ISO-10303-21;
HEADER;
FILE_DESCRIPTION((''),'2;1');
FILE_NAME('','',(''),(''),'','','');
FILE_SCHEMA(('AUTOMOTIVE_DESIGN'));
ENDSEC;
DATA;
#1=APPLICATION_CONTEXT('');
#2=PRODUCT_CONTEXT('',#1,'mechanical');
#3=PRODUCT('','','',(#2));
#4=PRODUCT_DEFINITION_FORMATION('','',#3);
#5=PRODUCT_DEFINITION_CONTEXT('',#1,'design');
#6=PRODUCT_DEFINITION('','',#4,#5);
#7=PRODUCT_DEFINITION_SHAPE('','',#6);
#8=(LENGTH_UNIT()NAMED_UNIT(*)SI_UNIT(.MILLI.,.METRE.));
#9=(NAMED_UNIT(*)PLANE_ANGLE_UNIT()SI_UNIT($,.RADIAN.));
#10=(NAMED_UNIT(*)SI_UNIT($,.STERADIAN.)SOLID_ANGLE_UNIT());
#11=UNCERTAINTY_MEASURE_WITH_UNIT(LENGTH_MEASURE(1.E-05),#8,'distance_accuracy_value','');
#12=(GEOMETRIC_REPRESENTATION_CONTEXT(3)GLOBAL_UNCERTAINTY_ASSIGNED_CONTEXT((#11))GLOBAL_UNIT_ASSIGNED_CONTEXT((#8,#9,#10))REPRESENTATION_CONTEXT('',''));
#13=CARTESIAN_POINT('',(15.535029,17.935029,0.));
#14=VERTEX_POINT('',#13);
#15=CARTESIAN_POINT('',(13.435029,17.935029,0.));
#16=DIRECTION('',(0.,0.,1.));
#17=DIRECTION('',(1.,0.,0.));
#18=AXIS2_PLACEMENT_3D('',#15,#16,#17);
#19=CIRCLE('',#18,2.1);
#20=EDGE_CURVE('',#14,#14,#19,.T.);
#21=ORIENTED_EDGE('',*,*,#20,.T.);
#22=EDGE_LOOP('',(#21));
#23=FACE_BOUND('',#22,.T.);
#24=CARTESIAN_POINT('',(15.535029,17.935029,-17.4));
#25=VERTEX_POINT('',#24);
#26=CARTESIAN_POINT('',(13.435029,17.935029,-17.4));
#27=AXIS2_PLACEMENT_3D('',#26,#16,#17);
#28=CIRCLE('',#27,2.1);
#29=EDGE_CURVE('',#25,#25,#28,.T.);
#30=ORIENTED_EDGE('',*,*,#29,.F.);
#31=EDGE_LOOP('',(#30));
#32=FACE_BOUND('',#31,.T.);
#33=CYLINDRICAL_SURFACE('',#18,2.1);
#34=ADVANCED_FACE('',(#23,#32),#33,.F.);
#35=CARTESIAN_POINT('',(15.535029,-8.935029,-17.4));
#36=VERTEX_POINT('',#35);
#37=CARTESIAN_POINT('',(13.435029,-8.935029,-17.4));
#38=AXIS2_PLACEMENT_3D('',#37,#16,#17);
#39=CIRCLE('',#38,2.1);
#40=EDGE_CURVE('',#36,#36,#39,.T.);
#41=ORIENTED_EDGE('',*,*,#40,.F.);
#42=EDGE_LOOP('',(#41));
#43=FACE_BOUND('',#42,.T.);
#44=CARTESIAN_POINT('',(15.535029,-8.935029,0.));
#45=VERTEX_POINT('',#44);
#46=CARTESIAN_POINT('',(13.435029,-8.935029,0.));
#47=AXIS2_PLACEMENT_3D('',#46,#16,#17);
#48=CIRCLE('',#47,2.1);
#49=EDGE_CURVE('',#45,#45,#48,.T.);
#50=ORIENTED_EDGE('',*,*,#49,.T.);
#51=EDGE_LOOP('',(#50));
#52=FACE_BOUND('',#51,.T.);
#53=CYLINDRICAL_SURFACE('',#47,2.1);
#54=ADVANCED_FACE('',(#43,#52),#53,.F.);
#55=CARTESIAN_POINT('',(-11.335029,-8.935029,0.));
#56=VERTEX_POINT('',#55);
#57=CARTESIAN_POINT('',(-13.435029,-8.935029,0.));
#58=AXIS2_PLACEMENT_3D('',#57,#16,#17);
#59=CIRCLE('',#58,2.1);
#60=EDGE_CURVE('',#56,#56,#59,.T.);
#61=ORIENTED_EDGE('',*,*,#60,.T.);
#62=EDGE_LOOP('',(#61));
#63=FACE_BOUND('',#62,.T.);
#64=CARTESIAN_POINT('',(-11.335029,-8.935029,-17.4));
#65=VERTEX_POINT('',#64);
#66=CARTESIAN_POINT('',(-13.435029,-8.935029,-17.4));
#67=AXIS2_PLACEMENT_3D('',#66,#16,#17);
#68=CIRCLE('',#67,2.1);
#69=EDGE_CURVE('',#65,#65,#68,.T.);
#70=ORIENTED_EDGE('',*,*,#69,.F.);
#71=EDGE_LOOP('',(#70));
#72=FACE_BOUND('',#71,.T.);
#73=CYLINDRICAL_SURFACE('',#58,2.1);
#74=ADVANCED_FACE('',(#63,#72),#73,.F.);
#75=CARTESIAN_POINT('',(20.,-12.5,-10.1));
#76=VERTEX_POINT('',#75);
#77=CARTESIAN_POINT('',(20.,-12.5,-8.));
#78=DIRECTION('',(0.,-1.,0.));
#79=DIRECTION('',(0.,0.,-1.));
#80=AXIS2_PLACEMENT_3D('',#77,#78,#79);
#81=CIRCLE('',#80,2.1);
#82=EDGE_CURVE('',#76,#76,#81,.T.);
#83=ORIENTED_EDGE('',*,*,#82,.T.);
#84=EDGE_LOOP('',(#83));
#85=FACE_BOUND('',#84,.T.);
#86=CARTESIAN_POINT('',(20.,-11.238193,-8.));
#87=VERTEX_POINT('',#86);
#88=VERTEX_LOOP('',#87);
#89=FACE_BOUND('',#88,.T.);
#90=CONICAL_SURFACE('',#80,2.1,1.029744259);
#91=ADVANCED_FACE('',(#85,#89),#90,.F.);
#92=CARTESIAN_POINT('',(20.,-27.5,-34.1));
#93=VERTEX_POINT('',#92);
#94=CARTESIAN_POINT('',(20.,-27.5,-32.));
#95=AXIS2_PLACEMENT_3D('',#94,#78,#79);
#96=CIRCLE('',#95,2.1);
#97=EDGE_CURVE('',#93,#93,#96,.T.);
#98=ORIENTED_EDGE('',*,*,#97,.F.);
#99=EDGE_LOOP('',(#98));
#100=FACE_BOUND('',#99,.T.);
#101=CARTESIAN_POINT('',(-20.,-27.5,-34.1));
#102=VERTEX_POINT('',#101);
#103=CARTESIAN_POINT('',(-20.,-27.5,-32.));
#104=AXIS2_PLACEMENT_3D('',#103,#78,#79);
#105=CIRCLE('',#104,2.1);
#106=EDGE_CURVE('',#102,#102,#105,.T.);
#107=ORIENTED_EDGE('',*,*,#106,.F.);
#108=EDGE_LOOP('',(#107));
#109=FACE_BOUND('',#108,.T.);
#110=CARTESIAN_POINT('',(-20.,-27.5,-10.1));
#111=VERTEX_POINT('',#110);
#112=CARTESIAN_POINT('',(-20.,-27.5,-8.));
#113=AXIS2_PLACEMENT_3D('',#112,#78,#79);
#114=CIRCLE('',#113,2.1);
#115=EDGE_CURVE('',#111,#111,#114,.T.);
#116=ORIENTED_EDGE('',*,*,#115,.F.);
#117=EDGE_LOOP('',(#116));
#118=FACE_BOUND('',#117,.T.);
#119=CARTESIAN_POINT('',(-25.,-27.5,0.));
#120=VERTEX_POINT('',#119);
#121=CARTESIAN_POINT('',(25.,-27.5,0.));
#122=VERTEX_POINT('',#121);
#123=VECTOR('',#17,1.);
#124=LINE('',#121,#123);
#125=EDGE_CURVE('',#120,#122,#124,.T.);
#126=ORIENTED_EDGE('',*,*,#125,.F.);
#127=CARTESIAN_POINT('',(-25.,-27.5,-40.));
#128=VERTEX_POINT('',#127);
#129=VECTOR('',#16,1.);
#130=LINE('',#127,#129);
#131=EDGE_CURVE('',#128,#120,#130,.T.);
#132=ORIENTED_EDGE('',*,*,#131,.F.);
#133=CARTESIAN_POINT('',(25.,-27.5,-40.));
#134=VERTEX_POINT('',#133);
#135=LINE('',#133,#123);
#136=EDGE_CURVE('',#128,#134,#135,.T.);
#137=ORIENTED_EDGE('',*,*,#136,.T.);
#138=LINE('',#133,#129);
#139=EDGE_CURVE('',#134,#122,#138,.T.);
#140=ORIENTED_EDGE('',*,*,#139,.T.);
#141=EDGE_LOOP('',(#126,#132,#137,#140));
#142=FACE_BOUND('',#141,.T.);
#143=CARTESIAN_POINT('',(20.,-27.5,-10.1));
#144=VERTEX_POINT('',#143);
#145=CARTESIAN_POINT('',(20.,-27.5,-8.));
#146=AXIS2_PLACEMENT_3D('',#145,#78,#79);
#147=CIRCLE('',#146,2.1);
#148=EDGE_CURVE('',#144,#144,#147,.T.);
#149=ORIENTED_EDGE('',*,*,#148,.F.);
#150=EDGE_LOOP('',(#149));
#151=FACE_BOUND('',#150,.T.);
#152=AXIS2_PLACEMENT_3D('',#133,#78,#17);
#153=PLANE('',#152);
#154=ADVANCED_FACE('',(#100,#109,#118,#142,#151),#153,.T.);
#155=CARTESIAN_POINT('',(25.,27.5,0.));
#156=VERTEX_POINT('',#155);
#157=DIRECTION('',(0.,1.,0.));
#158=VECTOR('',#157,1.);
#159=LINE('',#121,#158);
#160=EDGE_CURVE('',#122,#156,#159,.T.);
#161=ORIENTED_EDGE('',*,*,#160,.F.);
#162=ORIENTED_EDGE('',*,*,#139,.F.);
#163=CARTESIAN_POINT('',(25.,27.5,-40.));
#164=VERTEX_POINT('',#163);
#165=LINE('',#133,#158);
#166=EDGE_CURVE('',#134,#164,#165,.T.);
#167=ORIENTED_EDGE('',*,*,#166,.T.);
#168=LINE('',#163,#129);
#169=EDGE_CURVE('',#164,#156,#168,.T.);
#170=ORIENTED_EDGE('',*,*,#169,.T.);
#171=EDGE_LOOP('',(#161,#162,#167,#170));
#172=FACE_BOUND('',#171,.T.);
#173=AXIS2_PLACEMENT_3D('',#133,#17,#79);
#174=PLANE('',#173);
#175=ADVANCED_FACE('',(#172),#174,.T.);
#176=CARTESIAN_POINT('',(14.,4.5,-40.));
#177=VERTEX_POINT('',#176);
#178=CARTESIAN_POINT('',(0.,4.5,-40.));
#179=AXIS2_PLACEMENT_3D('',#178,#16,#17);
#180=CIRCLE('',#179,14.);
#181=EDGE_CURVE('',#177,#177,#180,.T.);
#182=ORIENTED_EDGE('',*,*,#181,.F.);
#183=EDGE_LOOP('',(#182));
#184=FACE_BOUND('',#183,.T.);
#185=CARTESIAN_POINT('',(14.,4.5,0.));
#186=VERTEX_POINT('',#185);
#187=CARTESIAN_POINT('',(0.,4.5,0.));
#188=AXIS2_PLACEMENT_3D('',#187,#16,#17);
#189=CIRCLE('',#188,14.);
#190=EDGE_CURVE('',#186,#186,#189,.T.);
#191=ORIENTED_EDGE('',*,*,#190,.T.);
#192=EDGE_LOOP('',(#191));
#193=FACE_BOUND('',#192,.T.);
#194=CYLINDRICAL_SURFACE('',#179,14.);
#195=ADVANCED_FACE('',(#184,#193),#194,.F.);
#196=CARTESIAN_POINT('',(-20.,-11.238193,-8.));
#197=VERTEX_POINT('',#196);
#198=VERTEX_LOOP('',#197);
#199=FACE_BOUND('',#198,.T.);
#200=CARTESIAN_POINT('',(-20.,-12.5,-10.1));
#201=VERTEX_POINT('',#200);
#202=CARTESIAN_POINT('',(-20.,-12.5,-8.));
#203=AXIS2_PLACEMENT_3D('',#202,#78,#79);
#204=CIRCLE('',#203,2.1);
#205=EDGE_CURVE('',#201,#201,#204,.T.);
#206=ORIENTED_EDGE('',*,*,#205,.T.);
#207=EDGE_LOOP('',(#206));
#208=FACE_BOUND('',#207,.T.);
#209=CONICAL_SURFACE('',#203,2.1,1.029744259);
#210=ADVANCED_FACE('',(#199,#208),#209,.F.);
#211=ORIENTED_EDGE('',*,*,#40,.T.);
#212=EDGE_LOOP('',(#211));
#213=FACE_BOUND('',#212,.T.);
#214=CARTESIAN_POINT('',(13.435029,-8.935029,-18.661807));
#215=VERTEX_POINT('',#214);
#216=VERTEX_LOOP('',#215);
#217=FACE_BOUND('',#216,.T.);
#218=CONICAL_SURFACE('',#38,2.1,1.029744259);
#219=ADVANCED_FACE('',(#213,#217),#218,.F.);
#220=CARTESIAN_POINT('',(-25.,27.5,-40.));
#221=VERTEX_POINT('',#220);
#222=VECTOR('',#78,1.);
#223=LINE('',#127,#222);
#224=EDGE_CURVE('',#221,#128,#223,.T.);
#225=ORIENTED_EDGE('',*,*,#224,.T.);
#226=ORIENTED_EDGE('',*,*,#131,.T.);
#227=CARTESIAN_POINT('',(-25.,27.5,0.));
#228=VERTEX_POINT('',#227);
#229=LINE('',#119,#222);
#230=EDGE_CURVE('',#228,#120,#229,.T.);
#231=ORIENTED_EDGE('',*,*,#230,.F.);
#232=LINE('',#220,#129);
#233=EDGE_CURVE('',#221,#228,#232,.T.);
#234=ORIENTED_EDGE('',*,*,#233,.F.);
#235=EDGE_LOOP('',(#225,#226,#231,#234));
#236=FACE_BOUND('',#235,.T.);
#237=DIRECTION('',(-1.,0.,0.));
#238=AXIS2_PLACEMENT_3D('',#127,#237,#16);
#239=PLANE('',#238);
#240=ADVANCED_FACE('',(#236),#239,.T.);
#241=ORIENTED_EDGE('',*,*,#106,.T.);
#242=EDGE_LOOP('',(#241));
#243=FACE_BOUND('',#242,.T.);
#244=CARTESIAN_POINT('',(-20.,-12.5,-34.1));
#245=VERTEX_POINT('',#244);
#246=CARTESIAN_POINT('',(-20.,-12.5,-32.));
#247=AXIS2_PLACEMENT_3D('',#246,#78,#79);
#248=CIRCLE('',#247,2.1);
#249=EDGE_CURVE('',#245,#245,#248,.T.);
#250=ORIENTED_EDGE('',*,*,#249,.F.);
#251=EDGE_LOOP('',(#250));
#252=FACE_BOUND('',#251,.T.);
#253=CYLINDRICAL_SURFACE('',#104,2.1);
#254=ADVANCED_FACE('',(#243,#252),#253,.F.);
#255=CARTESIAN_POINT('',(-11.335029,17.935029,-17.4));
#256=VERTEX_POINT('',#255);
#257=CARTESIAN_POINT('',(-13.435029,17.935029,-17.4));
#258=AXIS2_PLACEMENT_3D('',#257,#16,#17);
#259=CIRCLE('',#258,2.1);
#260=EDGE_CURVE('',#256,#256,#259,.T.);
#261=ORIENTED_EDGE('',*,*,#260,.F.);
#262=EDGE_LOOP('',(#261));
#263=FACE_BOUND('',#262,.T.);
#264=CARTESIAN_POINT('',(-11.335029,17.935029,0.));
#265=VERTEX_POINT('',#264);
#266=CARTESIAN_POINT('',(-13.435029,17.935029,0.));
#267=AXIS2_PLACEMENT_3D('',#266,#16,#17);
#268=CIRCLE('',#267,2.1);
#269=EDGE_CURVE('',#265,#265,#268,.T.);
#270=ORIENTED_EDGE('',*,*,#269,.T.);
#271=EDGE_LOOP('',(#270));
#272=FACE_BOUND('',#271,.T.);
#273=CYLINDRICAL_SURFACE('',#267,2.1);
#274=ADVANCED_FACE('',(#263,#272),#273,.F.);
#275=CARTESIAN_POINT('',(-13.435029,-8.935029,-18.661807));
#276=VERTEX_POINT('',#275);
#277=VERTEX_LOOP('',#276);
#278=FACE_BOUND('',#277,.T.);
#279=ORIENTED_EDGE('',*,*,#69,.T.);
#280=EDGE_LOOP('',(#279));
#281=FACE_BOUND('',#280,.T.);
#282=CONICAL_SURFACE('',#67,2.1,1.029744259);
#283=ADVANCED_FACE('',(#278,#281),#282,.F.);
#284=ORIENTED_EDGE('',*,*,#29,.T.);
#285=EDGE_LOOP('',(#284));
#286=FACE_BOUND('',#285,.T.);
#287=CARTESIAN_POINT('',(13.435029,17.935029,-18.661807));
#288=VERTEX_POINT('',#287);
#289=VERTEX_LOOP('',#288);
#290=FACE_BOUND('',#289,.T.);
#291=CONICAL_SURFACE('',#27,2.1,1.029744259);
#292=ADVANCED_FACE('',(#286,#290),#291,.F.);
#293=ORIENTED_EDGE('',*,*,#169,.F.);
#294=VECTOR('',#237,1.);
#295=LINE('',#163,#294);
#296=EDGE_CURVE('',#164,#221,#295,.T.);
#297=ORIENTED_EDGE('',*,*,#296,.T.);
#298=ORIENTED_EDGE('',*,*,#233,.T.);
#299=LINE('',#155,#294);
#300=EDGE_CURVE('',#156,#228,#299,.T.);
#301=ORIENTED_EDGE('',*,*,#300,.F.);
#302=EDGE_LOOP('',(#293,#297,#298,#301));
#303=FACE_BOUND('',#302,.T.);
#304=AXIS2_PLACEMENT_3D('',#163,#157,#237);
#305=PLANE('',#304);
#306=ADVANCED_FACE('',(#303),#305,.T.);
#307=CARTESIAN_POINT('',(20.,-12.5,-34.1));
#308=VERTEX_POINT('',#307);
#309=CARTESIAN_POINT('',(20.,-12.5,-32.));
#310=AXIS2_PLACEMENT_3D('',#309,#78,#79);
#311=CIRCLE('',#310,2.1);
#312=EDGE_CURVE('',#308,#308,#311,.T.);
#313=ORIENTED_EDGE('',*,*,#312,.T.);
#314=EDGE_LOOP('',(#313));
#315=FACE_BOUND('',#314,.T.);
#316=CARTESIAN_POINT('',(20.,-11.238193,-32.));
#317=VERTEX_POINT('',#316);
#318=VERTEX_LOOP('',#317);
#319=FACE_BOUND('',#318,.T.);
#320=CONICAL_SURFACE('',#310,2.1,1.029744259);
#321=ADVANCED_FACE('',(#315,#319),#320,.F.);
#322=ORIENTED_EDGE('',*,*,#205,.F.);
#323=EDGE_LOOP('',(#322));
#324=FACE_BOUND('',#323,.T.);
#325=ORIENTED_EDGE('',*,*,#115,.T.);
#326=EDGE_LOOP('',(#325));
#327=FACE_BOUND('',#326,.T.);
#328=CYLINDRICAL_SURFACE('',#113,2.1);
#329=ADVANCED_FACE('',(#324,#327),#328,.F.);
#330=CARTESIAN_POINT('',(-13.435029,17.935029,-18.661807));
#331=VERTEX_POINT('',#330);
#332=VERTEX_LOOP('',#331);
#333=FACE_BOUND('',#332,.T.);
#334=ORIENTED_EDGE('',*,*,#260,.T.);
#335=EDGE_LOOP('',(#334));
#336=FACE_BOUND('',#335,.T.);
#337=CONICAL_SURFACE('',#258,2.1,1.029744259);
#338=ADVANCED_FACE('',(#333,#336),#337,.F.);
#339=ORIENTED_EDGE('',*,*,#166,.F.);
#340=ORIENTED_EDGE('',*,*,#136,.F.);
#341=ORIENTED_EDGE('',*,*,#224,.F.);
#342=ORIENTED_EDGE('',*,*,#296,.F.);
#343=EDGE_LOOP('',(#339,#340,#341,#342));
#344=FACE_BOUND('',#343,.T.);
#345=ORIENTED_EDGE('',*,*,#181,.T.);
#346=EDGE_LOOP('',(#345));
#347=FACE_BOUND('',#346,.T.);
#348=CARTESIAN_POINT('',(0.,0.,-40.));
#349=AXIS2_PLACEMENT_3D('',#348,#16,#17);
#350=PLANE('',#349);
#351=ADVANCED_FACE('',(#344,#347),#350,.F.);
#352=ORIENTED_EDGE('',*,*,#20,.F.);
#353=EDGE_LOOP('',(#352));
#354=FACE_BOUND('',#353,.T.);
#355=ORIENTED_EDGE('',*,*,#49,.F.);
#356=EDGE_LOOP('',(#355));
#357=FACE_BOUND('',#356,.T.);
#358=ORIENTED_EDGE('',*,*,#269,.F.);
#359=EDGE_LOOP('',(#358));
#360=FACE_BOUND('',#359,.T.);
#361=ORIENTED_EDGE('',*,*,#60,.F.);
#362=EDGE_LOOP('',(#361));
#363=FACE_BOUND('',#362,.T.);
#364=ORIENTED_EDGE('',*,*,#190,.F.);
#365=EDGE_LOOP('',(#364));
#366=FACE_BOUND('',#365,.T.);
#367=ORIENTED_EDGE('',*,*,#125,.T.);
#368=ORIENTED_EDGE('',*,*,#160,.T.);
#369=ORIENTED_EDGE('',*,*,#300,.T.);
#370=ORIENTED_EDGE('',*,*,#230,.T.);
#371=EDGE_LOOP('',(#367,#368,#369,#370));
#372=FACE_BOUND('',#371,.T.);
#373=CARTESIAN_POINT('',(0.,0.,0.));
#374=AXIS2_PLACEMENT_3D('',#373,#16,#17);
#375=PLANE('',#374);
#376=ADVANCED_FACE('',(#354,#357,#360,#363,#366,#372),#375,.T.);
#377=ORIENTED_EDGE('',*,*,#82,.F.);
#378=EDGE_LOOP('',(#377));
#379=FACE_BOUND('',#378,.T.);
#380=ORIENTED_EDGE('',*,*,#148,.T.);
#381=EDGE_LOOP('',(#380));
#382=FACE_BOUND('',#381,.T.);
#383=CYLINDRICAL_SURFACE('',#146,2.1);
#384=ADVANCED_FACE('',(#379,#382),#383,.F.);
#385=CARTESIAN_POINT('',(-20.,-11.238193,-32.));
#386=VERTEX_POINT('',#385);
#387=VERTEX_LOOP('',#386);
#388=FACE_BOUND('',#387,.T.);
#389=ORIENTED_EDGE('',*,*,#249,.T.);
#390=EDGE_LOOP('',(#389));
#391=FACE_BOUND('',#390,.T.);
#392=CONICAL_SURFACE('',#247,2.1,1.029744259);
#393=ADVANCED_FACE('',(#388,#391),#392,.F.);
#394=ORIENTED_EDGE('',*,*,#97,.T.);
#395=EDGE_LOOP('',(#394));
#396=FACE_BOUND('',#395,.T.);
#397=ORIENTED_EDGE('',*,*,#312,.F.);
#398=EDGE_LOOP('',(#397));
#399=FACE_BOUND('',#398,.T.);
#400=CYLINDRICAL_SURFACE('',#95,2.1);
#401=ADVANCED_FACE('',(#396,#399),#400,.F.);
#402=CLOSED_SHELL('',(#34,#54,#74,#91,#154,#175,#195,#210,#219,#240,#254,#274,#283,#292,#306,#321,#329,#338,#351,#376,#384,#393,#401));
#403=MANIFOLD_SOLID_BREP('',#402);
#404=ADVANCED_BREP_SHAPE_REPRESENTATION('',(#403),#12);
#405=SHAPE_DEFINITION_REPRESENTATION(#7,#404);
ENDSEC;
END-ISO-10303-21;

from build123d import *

# Parameters (mm, degrees)
SKETCH1_W             = 50
SKETCH1_H             = 55
BOSS_EXTRUDE1_DEPTH   = 40
SKETCH2_R             = 14
CUT_EXTRUDE1_DEPTH    = 55.60082417
M5_TAPPED_HOLE1_D     = 4.2
M5_TAPPED_HOLE1_DEPTH = 15
M5_TAPPED_HOLE1_TIP   = 1.2618073
M5_TAPPED_HOLE3_D     = 4.2
M5_TAPPED_HOLE3_DEPTH = 17.4
M5_TAPPED_HOLE3_TIP   = 1.2618073


with BuildPart() as part:
    # Sketch1 → Boss-Extrude1 (new body)
    with BuildSketch(Plane.XY):
        Rectangle(SKETCH1_W, SKETCH1_H)
    extrude(amount=-BOSS_EXTRUDE1_DEPTH)

    # Sketch2 → Cut-Extrude1 (cut, through all)
    with BuildSketch(Plane.XY):
        with Locations((0, 4.5)):
            Circle(SKETCH2_R)
    extrude(amount=-CUT_EXTRUDE1_DEPTH, mode=Mode.SUBTRACT)

    # M5 Tapped Hole1
    with Locations(Plane(origin=(-20, -27.5, -8), x_dir=(-1, 0, 0), z_dir=(0, -1, 0))):
        with Locations((0, 0), (-40, 0), (-40, 24), (0, 24)):
            Hole(M5_TAPPED_HOLE1_D / 2, depth=M5_TAPPED_HOLE1_DEPTH)
            with Locations((0, 0, -(M5_TAPPED_HOLE1_DEPTH + M5_TAPPED_HOLE1_TIP / 2))):  # 118° drill point
                Cone(0, M5_TAPPED_HOLE1_D / 2, M5_TAPPED_HOLE1_TIP, mode=Mode.SUBTRACT)

    # M5 Tapped Hole3
    with Locations(Plane(origin=(13.435028843, 17.935028843, 0), x_dir=(1, 0, 0), z_dir=(0, 0, 1))):
        with Locations((0, 0), (0, -26.870057686), (-26.870057686, -26.870057686), (-26.870057686, 0)):
            Hole(M5_TAPPED_HOLE3_D / 2, depth=M5_TAPPED_HOLE3_DEPTH)
            with Locations((0, 0, -(M5_TAPPED_HOLE3_DEPTH + M5_TAPPED_HOLE3_TIP / 2))):  # 118° drill point
                Cone(0, M5_TAPPED_HOLE3_D / 2, M5_TAPPED_HOLE3_TIP, mode=Mode.SUBTRACT)


solid = part.part
